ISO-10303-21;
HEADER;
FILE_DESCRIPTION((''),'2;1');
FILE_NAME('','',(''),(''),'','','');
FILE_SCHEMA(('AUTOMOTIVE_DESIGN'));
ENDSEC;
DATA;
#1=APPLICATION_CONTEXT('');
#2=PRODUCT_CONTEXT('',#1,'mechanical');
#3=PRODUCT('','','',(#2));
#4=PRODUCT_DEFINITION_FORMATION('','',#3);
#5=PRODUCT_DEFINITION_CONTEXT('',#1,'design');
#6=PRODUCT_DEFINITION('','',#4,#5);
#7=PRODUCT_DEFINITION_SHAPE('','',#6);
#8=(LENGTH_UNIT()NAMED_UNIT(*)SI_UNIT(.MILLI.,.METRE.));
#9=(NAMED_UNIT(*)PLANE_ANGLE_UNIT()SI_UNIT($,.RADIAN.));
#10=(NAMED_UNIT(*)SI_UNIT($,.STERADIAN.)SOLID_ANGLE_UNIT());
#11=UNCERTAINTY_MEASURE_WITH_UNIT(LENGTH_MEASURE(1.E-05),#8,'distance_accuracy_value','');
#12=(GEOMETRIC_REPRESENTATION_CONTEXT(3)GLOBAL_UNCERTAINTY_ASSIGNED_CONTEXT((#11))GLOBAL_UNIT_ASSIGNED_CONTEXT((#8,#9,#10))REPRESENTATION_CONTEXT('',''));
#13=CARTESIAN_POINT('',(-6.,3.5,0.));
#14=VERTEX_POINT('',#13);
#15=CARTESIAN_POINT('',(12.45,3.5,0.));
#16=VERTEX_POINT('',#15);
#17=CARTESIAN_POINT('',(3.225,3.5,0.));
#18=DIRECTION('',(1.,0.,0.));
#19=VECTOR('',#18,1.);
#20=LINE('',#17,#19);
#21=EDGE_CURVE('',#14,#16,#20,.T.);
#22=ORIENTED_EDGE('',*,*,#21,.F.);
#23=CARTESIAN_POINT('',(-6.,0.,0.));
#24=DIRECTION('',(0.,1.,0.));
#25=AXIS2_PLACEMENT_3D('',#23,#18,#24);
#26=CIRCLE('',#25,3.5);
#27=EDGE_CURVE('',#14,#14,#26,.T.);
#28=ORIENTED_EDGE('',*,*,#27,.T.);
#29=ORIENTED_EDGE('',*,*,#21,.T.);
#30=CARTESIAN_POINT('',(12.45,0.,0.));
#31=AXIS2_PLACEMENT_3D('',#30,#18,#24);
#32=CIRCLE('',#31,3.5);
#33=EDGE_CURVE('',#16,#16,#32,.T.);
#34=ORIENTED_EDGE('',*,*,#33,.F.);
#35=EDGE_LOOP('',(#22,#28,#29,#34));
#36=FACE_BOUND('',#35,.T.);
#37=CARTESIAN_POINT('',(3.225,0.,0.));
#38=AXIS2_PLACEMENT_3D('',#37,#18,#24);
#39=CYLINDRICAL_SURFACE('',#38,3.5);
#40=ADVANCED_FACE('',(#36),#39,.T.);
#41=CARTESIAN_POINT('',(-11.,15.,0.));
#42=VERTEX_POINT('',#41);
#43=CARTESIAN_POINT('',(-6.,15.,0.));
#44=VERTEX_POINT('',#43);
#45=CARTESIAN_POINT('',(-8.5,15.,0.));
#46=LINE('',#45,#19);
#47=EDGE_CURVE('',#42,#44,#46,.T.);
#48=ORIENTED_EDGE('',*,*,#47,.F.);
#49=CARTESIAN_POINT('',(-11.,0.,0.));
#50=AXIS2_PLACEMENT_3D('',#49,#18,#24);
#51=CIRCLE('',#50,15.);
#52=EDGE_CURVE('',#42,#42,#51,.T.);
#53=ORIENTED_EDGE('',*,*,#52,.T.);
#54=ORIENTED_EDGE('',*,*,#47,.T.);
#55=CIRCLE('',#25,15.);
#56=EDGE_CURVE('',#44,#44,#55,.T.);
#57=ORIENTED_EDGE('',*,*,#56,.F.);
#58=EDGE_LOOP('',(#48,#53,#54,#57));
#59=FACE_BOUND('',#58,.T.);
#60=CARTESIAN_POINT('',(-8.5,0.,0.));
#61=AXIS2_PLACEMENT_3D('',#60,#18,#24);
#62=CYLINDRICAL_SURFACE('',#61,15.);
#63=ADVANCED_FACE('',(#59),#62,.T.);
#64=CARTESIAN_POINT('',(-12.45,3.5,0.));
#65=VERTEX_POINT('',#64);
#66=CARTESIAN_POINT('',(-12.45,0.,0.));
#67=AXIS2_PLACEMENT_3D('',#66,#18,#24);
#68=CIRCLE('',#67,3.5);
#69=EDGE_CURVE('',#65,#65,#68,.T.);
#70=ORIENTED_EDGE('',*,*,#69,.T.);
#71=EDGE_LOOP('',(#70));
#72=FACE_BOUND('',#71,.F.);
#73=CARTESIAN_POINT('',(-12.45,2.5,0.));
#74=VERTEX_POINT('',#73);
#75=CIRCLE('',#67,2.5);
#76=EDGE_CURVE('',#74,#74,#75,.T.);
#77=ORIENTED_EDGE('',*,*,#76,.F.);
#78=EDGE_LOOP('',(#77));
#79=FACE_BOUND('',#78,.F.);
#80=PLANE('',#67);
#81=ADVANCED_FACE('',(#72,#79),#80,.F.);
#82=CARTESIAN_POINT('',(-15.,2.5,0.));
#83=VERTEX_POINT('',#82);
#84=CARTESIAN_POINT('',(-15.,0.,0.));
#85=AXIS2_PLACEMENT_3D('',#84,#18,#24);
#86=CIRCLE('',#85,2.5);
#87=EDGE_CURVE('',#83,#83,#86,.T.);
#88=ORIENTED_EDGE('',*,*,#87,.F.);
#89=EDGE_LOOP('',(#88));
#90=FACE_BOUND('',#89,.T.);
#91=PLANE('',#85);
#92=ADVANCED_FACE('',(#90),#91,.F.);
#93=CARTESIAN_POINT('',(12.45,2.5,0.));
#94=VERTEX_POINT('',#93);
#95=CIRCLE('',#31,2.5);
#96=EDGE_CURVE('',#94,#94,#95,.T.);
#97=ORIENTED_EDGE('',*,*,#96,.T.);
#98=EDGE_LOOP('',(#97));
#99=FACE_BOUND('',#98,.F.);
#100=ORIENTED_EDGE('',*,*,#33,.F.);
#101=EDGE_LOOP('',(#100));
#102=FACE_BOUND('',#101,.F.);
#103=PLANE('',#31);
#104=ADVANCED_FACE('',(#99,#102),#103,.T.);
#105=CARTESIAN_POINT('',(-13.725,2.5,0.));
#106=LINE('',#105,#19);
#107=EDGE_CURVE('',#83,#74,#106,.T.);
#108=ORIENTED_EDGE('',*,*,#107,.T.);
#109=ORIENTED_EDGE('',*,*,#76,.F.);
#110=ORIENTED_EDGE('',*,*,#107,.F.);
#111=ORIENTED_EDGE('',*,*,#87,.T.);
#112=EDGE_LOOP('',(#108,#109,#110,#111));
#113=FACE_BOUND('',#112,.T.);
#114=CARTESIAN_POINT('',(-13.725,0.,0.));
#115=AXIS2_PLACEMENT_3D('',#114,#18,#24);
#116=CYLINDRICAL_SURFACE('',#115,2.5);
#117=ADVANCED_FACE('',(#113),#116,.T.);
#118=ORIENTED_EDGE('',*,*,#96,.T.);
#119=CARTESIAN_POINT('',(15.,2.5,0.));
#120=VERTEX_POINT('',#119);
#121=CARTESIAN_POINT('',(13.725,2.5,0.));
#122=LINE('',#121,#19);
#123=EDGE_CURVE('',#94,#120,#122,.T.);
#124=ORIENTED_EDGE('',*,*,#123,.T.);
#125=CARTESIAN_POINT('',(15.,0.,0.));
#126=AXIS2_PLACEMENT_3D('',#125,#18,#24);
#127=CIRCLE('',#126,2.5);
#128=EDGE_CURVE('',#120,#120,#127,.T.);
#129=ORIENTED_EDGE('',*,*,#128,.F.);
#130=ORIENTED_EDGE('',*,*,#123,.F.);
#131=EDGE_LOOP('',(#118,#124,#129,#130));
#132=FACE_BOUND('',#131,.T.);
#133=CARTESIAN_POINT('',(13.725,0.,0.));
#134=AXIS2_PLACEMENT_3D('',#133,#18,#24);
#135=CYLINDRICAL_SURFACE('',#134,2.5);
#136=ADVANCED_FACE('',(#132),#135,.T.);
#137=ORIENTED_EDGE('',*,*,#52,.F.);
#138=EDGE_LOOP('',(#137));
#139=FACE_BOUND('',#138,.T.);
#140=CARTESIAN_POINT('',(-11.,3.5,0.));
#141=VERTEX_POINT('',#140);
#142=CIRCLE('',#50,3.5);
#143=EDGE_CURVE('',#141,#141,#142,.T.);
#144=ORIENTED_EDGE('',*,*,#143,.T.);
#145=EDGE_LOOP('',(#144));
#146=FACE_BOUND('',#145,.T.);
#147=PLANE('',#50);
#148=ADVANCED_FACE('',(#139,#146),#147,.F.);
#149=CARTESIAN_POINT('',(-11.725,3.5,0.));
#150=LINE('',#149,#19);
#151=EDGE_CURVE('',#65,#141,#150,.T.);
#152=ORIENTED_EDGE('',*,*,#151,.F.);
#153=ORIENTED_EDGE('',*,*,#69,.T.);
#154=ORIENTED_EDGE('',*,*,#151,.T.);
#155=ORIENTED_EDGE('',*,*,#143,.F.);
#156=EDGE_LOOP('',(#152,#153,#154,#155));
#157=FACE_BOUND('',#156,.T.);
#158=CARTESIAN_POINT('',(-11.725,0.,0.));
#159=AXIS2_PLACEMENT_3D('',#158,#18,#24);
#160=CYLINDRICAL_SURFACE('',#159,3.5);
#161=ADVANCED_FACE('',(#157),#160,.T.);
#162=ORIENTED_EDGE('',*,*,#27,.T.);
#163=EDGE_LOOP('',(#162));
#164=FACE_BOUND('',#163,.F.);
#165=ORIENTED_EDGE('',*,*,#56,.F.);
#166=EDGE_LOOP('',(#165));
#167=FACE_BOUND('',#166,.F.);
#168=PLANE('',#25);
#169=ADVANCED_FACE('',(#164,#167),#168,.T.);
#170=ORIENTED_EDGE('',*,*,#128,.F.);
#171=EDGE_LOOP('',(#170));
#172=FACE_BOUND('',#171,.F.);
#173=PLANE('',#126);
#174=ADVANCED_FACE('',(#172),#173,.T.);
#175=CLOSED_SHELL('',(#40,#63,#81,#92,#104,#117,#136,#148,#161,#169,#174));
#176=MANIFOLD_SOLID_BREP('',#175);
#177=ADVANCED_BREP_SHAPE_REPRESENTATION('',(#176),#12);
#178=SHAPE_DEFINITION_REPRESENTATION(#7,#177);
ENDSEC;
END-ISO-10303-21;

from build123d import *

# Parameters (mm, degrees)
F0_W   = 5
F0_H   = 11.5
F0_W_2 = 1.45
F0_H_2 = 1
F0_H_3 = 2.5
F0_W_3 = 2.55
F0_W_4 = 18.45


with BuildPart() as f1:
    # F0 (on Top) → F1 (revolve)
    with BuildSketch(Plane.XY):
        with Locations((-8.5, 9.25)):
            Rectangle(F0_W, F0_H)
        with Locations((-11.725, 3)):
            Rectangle(F0_W_2, F0_H_2)
        with Locations((-11.725, 1.25)):
            Rectangle(F0_W_2, F0_H_3)
        with Locations((-13.725, 1.25)):
            Rectangle(F0_W_3, F0_H_3)
        with Locations((-8.5, 1.25)):
            Rectangle(F0_W, F0_H_3)
        with Locations((-8.5, 3)):
            Rectangle(F0_W, F0_H_2)
        with Locations((3.225, 3)):
            Rectangle(F0_W_4, F0_H_2)
        with Locations((3.225, 1.25)):
            Rectangle(F0_W_4, F0_H_3)
        with Locations((13.725, 1.25)):
            Rectangle(F0_W_3, F0_H_3)
    revolve(axis=Axis((-19.1246615723, 0, 0), (1, 0, 0)))


solid = f1.part
